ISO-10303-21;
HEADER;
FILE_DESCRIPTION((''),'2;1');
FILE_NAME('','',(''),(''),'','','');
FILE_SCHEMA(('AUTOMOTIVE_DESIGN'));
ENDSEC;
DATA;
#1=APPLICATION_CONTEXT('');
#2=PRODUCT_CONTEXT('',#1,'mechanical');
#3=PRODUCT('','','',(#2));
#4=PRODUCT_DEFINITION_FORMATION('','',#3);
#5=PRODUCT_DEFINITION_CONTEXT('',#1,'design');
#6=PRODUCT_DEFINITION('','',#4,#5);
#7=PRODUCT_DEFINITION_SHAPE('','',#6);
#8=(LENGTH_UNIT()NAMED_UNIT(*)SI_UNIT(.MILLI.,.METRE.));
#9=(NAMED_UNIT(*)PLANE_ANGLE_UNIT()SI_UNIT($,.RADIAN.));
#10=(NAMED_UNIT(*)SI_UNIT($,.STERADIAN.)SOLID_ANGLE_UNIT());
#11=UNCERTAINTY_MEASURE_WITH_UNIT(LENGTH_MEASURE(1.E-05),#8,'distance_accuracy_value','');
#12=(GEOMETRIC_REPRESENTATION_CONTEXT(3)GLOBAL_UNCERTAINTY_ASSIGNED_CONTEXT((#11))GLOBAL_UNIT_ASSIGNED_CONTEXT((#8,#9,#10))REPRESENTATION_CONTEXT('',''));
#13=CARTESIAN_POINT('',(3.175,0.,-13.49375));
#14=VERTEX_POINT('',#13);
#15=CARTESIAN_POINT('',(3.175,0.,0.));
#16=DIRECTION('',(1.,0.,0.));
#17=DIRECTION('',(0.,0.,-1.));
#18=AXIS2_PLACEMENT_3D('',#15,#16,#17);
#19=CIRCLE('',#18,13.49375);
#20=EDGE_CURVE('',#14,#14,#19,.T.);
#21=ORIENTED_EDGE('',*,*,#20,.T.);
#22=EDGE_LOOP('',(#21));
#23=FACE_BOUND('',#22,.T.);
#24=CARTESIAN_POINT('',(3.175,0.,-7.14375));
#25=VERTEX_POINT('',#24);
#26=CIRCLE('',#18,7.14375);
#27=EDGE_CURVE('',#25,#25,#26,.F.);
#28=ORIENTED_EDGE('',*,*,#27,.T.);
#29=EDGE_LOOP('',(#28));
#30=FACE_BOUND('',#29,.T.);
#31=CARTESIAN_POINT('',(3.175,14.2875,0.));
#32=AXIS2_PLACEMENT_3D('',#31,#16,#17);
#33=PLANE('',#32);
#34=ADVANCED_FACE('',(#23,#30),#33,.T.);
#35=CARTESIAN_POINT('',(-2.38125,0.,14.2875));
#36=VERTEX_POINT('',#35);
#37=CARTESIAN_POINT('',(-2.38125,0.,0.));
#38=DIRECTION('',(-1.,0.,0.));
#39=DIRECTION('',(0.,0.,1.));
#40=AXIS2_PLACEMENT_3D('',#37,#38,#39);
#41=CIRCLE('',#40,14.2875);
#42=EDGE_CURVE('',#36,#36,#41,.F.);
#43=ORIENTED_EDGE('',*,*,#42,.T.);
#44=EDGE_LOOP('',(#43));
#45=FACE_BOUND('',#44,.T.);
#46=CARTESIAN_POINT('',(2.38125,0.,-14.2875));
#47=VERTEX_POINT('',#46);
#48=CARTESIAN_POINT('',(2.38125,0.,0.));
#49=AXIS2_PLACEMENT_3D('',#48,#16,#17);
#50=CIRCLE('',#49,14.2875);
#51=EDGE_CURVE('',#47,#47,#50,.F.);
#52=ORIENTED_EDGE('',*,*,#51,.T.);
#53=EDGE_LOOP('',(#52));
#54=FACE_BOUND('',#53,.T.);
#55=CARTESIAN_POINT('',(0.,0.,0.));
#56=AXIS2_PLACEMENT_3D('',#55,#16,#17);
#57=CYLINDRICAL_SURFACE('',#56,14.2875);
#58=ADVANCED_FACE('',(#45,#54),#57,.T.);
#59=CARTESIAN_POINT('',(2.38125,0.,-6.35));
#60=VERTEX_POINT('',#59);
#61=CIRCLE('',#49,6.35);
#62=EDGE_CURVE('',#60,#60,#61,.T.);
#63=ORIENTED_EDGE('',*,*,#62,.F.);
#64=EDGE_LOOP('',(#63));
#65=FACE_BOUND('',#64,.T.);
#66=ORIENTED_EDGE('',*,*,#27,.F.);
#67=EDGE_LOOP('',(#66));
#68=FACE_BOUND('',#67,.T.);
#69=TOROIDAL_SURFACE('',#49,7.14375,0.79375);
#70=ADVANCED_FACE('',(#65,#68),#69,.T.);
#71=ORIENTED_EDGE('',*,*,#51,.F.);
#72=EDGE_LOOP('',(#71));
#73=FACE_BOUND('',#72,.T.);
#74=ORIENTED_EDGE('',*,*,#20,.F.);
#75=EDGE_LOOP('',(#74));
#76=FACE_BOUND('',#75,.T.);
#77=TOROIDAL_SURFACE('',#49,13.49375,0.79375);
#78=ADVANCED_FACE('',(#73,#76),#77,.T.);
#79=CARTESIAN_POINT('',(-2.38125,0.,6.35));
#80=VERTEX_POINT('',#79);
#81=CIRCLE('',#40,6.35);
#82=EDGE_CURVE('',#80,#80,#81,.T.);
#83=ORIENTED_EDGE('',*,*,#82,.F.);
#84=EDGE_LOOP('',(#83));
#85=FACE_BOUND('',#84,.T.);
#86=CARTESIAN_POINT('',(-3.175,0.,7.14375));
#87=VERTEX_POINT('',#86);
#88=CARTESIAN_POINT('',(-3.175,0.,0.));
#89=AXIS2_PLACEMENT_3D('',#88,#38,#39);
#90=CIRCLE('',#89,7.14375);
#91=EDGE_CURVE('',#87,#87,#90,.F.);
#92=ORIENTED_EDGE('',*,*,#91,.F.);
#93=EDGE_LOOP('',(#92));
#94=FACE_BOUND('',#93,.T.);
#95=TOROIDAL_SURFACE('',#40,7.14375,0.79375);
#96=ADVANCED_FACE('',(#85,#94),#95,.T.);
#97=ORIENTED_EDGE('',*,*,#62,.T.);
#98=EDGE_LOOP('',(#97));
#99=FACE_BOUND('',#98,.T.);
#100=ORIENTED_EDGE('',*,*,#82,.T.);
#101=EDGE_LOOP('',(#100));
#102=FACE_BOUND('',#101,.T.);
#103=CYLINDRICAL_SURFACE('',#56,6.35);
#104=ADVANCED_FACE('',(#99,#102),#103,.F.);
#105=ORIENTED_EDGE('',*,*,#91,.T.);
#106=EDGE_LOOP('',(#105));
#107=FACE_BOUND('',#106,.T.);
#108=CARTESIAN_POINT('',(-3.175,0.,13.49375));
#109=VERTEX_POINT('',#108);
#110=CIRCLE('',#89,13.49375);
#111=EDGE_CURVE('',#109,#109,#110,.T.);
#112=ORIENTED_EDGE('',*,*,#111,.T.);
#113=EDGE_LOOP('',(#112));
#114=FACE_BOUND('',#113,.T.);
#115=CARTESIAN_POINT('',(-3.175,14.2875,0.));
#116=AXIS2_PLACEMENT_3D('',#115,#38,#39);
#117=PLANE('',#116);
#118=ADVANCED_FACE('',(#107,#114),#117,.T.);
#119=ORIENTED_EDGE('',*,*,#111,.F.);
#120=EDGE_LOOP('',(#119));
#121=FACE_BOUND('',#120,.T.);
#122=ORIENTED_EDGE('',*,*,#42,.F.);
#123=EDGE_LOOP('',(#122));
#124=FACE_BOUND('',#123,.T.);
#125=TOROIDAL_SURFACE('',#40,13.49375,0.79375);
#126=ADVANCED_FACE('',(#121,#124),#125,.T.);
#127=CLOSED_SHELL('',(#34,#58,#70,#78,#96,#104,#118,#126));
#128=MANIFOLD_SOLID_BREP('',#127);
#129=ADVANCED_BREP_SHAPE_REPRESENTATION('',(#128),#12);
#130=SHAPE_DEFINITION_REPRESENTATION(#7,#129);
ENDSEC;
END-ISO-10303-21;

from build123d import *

# Parameters (mm, degrees)
SKETCH1_W = 6.35
SKETCH1_H = 7.9375
FILLET1_R = 0.79375


with BuildPart() as part:
    # Sketch1 → Revolve1 (revolve)
    with BuildSketch(Plane.XY, mode=Mode.PRIVATE) as revolve1_sk:
        with Locations((0, 10.31875)):
            Rectangle(SKETCH1_W, SKETCH1_H)
    revolve(revolve1_sk.sketch.rotate(Axis((0, 0, 0), (-1, 0, 0)), 90), axis=Axis((0, 0, 0), (-1, 0, 0)))

    # Fillet1
    fillet1_edges = [part.edges().sort_by_distance(p)[0] for p in [
        (-3.175, 0, 14.2875),
        (3.175, 0, 14.2875),
        (3.175, 0, 6.35),
        (-3.175, 0, 6.35),
    ]]
    fillet(fillet1_edges, radius=FILLET1_R)


solid = part.part
